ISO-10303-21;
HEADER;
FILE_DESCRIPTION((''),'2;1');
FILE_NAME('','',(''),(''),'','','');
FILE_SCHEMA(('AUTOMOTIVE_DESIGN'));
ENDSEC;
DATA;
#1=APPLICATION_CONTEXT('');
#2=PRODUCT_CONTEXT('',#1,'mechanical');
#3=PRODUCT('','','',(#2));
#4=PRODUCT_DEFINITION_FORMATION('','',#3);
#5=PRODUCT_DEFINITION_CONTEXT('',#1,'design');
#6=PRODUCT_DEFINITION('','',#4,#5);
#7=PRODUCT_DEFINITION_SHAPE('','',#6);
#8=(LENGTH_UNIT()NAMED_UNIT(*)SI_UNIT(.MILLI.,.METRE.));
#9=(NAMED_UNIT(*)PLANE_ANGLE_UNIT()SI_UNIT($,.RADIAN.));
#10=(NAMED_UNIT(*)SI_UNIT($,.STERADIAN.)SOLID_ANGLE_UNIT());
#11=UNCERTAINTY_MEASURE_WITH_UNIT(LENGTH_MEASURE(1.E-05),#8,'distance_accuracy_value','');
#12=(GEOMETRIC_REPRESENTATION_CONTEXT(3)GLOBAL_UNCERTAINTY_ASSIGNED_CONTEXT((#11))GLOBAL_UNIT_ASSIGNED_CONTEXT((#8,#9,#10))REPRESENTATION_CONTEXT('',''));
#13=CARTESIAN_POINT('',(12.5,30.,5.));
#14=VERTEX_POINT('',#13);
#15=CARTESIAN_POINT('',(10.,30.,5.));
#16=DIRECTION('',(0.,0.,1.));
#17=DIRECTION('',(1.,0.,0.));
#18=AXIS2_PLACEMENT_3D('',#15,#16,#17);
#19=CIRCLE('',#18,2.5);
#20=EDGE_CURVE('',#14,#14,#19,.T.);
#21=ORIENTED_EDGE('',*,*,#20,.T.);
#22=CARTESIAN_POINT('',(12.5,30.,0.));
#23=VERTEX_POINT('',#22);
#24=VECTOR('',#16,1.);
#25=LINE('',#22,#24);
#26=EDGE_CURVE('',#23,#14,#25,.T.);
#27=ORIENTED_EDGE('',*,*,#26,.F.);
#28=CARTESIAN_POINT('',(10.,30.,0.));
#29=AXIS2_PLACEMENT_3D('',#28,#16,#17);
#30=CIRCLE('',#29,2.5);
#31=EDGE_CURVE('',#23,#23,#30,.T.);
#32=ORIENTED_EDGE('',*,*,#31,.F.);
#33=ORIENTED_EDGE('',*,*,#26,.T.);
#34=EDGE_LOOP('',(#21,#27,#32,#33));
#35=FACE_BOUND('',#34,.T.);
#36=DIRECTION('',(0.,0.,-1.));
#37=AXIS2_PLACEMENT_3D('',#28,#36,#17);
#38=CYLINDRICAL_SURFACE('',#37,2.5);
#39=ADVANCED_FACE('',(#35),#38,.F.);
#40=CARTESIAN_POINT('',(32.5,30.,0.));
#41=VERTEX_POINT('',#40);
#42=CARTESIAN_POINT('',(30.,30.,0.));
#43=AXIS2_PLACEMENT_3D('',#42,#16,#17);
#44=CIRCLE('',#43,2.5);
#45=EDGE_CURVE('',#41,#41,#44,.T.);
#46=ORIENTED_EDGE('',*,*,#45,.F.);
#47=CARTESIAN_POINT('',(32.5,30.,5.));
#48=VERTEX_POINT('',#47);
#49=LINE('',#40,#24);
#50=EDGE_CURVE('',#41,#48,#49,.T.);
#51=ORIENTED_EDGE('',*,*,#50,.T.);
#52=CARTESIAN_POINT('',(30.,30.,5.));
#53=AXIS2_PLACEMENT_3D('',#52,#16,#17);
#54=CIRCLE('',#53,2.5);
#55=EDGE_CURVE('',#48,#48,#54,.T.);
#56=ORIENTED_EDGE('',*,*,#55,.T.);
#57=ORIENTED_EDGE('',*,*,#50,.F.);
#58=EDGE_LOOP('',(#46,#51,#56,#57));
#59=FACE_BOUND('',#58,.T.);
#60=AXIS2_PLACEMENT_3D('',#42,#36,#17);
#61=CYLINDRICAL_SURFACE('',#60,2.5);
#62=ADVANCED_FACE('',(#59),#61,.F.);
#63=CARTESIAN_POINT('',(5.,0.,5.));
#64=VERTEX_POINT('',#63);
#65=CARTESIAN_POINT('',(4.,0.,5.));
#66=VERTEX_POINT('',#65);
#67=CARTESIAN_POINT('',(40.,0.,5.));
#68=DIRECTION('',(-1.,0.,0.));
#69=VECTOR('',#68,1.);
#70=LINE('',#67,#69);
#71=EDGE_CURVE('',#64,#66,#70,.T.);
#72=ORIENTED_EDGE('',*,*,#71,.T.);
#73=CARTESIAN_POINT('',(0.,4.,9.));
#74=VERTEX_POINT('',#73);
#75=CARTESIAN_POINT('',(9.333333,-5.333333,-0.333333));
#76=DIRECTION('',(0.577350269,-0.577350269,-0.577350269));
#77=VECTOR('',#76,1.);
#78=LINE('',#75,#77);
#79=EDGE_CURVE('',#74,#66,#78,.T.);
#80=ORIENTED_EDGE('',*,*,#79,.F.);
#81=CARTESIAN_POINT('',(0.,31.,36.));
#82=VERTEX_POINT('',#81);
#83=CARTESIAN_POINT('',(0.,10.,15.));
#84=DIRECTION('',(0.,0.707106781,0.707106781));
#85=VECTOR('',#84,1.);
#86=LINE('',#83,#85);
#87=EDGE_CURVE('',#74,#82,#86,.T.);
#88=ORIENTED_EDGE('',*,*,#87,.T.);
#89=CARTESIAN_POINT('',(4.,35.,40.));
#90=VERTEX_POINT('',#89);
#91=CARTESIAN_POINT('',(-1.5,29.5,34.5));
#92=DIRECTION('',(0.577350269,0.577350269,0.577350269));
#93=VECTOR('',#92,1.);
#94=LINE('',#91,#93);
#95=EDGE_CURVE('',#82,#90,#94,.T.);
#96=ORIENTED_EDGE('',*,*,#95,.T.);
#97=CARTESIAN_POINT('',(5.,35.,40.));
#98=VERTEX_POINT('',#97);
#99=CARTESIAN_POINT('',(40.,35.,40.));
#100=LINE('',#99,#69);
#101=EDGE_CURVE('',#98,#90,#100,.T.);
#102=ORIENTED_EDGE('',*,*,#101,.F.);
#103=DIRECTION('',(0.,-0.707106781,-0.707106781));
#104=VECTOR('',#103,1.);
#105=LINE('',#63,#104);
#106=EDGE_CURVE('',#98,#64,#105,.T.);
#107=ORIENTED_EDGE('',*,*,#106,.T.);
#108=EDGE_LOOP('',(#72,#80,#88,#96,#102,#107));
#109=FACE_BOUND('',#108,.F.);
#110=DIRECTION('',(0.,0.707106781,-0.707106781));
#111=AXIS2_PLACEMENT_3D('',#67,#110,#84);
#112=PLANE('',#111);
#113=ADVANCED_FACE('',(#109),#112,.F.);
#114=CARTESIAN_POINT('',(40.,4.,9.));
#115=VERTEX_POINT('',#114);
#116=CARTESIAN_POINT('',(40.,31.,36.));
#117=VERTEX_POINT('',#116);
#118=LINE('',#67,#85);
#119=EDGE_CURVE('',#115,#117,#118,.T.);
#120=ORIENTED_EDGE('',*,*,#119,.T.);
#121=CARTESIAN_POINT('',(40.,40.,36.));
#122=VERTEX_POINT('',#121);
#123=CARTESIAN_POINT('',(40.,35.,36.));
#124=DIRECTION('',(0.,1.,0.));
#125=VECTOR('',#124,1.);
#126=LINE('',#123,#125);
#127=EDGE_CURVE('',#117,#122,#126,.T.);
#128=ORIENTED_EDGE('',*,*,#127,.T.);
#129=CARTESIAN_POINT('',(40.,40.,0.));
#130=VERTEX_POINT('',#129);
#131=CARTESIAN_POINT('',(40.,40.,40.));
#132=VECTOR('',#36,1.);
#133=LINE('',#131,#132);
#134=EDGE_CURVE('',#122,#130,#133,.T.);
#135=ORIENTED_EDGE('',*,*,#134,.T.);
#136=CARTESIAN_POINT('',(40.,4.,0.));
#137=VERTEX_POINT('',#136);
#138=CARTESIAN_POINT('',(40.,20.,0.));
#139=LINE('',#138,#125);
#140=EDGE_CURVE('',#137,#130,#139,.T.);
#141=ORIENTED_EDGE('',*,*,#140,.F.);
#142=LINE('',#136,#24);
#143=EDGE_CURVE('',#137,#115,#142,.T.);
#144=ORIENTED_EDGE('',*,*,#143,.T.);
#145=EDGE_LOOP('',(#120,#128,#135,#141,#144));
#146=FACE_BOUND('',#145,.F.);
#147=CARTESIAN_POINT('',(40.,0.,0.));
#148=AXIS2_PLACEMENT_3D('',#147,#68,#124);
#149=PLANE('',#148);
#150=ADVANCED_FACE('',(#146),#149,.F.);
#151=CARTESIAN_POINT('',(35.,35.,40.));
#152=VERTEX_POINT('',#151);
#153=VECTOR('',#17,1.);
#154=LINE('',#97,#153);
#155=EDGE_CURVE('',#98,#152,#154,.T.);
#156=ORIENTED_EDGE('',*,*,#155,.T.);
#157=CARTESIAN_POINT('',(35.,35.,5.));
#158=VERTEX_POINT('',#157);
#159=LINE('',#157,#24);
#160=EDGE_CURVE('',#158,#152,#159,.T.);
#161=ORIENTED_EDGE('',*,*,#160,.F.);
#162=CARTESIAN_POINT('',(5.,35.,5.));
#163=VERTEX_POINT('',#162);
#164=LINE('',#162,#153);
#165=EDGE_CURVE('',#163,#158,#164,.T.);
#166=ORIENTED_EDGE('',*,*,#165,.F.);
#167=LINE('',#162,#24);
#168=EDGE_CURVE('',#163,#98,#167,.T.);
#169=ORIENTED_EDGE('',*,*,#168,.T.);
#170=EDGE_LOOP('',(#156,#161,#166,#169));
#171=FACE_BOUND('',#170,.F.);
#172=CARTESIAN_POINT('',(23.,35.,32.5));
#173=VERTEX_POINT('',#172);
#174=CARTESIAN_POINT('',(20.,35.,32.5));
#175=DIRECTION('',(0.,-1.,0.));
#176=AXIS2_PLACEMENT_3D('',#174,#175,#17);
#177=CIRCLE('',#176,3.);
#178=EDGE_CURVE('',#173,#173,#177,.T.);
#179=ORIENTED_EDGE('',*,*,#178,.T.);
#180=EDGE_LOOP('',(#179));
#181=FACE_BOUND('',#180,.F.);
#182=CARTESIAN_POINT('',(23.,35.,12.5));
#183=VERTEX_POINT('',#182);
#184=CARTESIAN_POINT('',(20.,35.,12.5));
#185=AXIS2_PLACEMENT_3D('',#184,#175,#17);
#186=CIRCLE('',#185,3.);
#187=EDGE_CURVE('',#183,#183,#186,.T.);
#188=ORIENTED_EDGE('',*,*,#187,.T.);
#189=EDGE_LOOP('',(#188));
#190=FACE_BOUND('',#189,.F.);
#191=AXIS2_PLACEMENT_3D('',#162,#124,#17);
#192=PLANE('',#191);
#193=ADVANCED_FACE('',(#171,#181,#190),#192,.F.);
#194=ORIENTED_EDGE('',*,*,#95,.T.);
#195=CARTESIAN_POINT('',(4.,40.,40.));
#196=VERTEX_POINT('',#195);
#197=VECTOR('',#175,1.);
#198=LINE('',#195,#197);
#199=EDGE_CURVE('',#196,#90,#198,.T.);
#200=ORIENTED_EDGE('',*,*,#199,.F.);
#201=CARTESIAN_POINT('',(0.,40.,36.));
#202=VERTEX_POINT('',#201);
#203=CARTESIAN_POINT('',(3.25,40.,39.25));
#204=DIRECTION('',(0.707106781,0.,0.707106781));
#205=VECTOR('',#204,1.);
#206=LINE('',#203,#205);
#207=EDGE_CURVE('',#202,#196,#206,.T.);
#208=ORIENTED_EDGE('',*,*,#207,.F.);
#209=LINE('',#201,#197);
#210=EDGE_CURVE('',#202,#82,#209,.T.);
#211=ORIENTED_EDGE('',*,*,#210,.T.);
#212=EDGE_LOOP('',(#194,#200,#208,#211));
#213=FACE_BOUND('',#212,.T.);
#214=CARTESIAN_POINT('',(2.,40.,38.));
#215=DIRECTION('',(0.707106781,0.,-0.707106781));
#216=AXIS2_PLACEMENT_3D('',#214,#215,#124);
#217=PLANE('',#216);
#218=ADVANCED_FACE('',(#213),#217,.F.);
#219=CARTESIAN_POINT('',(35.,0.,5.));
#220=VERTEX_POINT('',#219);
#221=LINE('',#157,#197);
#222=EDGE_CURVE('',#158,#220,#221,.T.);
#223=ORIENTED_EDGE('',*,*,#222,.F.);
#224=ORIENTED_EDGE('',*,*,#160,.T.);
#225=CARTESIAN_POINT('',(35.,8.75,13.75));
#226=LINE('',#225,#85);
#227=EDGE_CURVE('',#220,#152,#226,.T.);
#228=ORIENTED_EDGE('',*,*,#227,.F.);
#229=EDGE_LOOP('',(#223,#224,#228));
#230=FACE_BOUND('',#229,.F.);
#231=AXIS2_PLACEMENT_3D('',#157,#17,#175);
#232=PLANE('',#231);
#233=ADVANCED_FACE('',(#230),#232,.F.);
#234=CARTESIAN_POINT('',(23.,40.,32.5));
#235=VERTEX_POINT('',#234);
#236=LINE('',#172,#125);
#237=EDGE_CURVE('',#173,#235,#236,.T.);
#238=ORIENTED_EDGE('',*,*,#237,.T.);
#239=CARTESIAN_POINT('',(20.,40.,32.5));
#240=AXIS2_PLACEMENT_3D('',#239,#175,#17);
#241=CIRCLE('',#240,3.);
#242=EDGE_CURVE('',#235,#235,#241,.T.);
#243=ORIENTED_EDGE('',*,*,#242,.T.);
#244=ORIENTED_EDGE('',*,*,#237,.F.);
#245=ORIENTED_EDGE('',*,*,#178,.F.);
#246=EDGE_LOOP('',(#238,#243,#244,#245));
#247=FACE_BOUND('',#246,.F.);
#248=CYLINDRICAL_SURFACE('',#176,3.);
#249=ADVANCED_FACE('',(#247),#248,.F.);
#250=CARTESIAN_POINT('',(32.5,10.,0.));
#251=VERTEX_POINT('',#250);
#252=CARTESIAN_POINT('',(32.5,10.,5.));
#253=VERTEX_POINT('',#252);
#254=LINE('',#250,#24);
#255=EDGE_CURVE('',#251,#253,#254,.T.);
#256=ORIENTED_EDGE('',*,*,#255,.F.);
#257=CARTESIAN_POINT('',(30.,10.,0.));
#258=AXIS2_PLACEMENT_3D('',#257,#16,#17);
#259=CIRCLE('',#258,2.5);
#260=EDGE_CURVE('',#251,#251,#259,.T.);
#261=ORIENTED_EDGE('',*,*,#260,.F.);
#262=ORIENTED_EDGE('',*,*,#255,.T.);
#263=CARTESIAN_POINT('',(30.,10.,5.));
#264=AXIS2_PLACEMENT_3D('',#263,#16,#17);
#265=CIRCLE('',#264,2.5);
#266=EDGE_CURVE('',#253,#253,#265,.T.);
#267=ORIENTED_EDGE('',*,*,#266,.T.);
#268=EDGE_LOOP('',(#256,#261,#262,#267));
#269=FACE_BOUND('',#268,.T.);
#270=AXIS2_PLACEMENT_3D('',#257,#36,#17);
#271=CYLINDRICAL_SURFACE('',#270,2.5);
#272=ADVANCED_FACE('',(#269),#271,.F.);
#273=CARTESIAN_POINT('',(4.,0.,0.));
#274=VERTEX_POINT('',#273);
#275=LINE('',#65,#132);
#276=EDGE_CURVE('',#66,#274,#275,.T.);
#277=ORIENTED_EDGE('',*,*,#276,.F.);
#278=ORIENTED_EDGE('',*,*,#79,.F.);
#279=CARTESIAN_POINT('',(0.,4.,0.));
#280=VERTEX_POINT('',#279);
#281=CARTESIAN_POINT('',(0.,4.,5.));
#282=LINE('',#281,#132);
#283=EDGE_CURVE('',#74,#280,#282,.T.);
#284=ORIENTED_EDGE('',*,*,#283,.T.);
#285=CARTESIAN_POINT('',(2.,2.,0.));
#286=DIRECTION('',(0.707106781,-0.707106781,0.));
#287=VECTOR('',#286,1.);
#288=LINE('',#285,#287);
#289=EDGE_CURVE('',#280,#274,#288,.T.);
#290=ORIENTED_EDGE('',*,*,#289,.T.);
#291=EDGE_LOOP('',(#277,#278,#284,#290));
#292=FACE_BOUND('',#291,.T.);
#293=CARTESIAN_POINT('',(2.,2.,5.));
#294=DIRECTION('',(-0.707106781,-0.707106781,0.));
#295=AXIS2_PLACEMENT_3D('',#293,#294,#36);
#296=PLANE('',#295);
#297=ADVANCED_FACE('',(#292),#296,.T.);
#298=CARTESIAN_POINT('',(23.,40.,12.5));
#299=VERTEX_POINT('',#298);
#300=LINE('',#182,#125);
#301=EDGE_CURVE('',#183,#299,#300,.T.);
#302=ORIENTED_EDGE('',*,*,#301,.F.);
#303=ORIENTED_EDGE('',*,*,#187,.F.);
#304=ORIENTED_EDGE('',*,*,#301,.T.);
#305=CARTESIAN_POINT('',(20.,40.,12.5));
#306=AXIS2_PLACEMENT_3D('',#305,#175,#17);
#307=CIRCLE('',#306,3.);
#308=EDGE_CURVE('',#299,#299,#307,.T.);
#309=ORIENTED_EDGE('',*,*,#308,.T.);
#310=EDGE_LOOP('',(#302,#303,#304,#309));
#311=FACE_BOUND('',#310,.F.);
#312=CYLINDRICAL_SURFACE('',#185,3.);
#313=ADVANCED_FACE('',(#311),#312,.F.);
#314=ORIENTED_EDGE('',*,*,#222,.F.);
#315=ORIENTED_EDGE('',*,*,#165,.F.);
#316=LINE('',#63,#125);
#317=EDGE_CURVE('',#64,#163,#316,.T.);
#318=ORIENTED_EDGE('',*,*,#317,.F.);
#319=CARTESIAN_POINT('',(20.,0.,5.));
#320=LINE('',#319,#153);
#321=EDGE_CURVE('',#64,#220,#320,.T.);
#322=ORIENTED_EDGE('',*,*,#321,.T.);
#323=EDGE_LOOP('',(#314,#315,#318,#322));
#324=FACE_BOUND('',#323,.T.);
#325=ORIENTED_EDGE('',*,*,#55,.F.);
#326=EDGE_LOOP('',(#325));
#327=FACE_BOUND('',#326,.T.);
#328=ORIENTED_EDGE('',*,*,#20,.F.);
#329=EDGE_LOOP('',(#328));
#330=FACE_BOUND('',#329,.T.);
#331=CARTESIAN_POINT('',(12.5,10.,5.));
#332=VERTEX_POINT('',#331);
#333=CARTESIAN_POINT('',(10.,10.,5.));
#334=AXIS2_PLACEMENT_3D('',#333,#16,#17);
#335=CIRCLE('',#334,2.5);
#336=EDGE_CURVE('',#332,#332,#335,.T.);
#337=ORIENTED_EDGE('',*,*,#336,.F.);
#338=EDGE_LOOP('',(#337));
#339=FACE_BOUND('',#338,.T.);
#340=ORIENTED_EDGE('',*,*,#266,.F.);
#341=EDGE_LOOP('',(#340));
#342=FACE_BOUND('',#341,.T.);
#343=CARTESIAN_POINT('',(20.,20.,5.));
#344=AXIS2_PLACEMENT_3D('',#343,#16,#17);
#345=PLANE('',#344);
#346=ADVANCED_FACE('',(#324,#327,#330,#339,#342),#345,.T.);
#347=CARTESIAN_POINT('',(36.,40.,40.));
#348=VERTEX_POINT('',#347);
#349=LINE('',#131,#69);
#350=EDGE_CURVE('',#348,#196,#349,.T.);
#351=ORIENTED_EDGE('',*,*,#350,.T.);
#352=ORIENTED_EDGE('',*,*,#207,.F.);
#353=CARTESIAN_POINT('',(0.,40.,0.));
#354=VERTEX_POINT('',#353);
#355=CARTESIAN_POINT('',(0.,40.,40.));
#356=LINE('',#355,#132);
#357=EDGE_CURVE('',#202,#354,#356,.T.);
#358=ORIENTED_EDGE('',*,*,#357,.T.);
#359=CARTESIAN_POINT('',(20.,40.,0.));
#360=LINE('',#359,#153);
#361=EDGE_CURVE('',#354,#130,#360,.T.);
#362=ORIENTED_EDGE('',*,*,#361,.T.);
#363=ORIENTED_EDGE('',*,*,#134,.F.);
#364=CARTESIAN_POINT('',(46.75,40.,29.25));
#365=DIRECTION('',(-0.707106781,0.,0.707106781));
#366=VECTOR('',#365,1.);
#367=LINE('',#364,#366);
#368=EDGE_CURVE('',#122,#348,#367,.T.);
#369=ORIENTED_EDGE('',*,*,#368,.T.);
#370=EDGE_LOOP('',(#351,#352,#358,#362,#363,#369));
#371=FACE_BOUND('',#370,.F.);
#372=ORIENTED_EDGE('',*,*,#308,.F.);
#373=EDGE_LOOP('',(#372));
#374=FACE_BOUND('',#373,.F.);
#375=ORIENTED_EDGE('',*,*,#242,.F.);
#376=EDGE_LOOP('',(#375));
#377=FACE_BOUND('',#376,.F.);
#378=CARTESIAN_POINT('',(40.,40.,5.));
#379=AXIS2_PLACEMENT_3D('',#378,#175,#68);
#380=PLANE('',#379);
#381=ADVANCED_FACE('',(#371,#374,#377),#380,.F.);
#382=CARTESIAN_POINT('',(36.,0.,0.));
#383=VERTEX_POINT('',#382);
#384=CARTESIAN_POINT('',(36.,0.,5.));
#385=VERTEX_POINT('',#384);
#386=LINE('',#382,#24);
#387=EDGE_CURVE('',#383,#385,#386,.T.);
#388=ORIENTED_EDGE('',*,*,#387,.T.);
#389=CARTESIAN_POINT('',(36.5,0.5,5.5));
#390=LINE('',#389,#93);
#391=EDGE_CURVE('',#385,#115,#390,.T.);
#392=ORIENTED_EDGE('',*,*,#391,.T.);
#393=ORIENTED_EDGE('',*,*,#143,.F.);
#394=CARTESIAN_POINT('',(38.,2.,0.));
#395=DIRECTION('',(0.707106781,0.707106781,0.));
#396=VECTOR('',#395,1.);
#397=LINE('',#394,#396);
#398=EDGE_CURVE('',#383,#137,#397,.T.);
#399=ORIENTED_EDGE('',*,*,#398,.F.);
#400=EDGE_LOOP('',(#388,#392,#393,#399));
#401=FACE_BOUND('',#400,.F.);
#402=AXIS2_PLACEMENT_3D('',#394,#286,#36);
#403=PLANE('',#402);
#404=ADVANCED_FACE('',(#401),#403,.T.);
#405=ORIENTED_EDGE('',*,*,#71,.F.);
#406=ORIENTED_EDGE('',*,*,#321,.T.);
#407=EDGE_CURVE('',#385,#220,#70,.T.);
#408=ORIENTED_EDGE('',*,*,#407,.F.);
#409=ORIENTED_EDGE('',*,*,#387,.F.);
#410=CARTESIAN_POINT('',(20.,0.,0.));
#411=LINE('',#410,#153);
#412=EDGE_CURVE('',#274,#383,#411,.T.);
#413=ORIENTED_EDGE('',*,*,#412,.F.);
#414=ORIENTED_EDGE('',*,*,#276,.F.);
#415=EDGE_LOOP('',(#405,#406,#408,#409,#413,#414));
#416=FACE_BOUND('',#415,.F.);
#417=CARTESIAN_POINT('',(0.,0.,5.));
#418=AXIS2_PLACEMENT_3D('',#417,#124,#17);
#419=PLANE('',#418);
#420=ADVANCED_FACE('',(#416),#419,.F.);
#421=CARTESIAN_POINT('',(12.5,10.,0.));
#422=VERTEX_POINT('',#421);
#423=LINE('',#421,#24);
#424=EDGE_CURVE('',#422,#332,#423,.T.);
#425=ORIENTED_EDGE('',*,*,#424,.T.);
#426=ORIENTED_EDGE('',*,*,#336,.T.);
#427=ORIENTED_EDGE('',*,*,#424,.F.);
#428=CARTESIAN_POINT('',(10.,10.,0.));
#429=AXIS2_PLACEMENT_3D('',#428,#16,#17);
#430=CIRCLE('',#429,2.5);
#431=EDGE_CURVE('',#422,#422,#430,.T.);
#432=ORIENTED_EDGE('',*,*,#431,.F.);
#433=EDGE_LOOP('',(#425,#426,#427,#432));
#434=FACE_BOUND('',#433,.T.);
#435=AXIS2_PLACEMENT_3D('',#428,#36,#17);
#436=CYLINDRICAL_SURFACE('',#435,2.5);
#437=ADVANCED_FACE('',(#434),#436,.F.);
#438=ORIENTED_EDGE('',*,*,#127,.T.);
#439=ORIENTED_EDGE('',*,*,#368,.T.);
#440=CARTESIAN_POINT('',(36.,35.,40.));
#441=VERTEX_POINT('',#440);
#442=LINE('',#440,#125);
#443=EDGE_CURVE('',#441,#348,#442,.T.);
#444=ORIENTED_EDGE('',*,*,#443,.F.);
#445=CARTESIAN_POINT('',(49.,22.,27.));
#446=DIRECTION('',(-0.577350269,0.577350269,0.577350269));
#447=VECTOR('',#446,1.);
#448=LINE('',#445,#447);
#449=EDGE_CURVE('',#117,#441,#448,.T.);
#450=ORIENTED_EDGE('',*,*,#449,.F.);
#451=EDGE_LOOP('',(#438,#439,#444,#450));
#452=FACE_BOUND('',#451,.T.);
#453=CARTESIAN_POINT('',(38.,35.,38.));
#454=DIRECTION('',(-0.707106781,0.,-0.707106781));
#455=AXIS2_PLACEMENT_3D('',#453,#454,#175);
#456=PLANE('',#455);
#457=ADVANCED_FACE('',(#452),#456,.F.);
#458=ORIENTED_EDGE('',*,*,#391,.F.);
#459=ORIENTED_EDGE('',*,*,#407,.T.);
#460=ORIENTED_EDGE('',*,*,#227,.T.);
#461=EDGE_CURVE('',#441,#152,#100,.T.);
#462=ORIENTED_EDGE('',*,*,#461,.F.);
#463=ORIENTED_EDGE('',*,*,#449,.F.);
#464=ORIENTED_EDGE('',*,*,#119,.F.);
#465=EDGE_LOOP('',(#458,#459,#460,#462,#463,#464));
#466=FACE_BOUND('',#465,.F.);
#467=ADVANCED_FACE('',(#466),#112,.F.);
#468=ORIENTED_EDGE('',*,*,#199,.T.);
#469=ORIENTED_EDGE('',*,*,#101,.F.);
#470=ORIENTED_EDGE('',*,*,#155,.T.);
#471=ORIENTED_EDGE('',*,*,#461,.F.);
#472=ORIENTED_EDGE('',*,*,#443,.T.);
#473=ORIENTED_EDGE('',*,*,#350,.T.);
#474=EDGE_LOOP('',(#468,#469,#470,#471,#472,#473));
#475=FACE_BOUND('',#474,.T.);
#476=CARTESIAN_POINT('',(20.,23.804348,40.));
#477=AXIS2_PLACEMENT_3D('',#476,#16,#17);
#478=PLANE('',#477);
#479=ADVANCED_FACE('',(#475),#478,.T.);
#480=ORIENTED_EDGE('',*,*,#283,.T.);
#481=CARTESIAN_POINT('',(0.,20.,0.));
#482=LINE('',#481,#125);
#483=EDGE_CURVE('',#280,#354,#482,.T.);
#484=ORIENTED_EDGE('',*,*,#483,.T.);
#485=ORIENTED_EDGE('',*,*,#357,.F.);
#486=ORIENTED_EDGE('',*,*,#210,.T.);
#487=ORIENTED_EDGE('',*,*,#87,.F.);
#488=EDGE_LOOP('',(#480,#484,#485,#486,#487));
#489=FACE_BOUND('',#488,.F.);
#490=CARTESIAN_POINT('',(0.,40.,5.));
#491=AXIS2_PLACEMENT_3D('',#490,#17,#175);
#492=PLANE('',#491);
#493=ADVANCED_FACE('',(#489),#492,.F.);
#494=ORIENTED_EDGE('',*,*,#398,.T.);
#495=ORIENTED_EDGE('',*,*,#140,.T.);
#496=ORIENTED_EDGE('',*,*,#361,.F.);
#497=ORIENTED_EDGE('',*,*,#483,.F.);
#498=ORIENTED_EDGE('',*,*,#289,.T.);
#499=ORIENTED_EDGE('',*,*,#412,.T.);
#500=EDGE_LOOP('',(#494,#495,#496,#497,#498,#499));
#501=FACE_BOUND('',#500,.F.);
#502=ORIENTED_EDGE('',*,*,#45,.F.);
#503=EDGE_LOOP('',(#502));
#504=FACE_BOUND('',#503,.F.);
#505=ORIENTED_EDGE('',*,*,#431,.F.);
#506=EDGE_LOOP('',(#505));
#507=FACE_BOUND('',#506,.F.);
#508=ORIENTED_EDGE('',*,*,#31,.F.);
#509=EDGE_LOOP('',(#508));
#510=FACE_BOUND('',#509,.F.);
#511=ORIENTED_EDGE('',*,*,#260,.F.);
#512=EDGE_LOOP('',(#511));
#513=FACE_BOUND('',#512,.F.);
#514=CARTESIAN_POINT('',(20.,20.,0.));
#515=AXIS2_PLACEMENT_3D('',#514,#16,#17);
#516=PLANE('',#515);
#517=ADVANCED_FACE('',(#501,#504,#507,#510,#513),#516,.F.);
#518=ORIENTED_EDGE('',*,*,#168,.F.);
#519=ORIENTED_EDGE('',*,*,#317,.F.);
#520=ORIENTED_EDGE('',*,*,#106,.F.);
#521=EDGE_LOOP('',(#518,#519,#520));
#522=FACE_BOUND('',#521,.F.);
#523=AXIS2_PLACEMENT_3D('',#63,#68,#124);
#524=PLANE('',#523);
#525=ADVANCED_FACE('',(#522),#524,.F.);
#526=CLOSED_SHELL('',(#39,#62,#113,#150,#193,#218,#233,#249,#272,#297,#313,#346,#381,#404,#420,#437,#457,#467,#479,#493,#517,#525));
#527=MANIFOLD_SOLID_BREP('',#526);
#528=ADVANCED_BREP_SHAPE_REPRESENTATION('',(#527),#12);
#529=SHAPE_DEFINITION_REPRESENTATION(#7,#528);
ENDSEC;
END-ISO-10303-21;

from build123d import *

# Parameters (mm, degrees)
SKETCH_W        = 40
SKETCH_H        = 40
SKETCH_R        = 2.5
PAD_DEPTH       = 5
PAD001_DEPTH    = 35
SKETCH002_R     = 3
POCKET_DEPTH    = 5.001
POCKET001_DEPTH = 40.001
CHAMFER_SIZE    = 4
CHAMFER001_SIZE = 4


with BuildPart() as part:
    # Sketch → Pad (new body)
    with BuildSketch(Plane.XY):
        with Locations((20, 20)):
            Rectangle(SKETCH_W, SKETCH_H)
        with Locations((10, 30)):
            Circle(SKETCH_R, mode=Mode.SUBTRACT)
        with Locations((30, 30)):
            Circle(SKETCH_R, mode=Mode.SUBTRACT)
        with Locations((30, 10)):
            Circle(SKETCH_R, mode=Mode.SUBTRACT)
        with Locations((10, 10)):
            Circle(SKETCH_R, mode=Mode.SUBTRACT)
    extrude(amount=PAD_DEPTH)

    # Sketch001 (on Face10 of Pad) → Pad001 (join)
    with BuildSketch(Plane.XY.offset(5)):
        Polygon((0, 0), (5, 0), (5, 35), (35, 35), (35, 0), (40, 0), (40, 40), (0, 40), align=None)
    extrude(amount=PAD001_DEPTH)

    # Sketch002 (on Face17 of Pad001) → Pocket (cut, through all)
    with BuildSketch(Plane.XZ.offset(-35)):
        with Locations((20, 32.5)):
            Circle(SKETCH002_R)
        with Locations((20, 12.5)):
            Circle(SKETCH002_R)
    extrude(amount=-POCKET_DEPTH, mode=Mode.SUBTRACT)

    # Sketch003 (on Face10 of Pocket) → Pocket001 (cut, through all)
    with BuildSketch(Plane.YZ.offset(40)):
        Polygon((0, 40), (0, 5), (35, 40), align=None)
    extrude(amount=-POCKET001_DEPTH, mode=Mode.SUBTRACT)

    # Chamfer
    chamfer_edges = [part.edges().sort_by_distance(p)[0] for p in [
        (40, 37.5, 40),
        (0, 37.5, 40),
    ]]
    chamfer(chamfer_edges, length=CHAMFER_SIZE)

    # Chamfer001
    chamfer001_edges = [part.edges().sort_by_distance(p)[0] for p in [
        (40, 0, 2.5),
        (0, 0, 2.5),
    ]]
    chamfer(chamfer001_edges, length=CHAMFER001_SIZE)


solid = part.part
